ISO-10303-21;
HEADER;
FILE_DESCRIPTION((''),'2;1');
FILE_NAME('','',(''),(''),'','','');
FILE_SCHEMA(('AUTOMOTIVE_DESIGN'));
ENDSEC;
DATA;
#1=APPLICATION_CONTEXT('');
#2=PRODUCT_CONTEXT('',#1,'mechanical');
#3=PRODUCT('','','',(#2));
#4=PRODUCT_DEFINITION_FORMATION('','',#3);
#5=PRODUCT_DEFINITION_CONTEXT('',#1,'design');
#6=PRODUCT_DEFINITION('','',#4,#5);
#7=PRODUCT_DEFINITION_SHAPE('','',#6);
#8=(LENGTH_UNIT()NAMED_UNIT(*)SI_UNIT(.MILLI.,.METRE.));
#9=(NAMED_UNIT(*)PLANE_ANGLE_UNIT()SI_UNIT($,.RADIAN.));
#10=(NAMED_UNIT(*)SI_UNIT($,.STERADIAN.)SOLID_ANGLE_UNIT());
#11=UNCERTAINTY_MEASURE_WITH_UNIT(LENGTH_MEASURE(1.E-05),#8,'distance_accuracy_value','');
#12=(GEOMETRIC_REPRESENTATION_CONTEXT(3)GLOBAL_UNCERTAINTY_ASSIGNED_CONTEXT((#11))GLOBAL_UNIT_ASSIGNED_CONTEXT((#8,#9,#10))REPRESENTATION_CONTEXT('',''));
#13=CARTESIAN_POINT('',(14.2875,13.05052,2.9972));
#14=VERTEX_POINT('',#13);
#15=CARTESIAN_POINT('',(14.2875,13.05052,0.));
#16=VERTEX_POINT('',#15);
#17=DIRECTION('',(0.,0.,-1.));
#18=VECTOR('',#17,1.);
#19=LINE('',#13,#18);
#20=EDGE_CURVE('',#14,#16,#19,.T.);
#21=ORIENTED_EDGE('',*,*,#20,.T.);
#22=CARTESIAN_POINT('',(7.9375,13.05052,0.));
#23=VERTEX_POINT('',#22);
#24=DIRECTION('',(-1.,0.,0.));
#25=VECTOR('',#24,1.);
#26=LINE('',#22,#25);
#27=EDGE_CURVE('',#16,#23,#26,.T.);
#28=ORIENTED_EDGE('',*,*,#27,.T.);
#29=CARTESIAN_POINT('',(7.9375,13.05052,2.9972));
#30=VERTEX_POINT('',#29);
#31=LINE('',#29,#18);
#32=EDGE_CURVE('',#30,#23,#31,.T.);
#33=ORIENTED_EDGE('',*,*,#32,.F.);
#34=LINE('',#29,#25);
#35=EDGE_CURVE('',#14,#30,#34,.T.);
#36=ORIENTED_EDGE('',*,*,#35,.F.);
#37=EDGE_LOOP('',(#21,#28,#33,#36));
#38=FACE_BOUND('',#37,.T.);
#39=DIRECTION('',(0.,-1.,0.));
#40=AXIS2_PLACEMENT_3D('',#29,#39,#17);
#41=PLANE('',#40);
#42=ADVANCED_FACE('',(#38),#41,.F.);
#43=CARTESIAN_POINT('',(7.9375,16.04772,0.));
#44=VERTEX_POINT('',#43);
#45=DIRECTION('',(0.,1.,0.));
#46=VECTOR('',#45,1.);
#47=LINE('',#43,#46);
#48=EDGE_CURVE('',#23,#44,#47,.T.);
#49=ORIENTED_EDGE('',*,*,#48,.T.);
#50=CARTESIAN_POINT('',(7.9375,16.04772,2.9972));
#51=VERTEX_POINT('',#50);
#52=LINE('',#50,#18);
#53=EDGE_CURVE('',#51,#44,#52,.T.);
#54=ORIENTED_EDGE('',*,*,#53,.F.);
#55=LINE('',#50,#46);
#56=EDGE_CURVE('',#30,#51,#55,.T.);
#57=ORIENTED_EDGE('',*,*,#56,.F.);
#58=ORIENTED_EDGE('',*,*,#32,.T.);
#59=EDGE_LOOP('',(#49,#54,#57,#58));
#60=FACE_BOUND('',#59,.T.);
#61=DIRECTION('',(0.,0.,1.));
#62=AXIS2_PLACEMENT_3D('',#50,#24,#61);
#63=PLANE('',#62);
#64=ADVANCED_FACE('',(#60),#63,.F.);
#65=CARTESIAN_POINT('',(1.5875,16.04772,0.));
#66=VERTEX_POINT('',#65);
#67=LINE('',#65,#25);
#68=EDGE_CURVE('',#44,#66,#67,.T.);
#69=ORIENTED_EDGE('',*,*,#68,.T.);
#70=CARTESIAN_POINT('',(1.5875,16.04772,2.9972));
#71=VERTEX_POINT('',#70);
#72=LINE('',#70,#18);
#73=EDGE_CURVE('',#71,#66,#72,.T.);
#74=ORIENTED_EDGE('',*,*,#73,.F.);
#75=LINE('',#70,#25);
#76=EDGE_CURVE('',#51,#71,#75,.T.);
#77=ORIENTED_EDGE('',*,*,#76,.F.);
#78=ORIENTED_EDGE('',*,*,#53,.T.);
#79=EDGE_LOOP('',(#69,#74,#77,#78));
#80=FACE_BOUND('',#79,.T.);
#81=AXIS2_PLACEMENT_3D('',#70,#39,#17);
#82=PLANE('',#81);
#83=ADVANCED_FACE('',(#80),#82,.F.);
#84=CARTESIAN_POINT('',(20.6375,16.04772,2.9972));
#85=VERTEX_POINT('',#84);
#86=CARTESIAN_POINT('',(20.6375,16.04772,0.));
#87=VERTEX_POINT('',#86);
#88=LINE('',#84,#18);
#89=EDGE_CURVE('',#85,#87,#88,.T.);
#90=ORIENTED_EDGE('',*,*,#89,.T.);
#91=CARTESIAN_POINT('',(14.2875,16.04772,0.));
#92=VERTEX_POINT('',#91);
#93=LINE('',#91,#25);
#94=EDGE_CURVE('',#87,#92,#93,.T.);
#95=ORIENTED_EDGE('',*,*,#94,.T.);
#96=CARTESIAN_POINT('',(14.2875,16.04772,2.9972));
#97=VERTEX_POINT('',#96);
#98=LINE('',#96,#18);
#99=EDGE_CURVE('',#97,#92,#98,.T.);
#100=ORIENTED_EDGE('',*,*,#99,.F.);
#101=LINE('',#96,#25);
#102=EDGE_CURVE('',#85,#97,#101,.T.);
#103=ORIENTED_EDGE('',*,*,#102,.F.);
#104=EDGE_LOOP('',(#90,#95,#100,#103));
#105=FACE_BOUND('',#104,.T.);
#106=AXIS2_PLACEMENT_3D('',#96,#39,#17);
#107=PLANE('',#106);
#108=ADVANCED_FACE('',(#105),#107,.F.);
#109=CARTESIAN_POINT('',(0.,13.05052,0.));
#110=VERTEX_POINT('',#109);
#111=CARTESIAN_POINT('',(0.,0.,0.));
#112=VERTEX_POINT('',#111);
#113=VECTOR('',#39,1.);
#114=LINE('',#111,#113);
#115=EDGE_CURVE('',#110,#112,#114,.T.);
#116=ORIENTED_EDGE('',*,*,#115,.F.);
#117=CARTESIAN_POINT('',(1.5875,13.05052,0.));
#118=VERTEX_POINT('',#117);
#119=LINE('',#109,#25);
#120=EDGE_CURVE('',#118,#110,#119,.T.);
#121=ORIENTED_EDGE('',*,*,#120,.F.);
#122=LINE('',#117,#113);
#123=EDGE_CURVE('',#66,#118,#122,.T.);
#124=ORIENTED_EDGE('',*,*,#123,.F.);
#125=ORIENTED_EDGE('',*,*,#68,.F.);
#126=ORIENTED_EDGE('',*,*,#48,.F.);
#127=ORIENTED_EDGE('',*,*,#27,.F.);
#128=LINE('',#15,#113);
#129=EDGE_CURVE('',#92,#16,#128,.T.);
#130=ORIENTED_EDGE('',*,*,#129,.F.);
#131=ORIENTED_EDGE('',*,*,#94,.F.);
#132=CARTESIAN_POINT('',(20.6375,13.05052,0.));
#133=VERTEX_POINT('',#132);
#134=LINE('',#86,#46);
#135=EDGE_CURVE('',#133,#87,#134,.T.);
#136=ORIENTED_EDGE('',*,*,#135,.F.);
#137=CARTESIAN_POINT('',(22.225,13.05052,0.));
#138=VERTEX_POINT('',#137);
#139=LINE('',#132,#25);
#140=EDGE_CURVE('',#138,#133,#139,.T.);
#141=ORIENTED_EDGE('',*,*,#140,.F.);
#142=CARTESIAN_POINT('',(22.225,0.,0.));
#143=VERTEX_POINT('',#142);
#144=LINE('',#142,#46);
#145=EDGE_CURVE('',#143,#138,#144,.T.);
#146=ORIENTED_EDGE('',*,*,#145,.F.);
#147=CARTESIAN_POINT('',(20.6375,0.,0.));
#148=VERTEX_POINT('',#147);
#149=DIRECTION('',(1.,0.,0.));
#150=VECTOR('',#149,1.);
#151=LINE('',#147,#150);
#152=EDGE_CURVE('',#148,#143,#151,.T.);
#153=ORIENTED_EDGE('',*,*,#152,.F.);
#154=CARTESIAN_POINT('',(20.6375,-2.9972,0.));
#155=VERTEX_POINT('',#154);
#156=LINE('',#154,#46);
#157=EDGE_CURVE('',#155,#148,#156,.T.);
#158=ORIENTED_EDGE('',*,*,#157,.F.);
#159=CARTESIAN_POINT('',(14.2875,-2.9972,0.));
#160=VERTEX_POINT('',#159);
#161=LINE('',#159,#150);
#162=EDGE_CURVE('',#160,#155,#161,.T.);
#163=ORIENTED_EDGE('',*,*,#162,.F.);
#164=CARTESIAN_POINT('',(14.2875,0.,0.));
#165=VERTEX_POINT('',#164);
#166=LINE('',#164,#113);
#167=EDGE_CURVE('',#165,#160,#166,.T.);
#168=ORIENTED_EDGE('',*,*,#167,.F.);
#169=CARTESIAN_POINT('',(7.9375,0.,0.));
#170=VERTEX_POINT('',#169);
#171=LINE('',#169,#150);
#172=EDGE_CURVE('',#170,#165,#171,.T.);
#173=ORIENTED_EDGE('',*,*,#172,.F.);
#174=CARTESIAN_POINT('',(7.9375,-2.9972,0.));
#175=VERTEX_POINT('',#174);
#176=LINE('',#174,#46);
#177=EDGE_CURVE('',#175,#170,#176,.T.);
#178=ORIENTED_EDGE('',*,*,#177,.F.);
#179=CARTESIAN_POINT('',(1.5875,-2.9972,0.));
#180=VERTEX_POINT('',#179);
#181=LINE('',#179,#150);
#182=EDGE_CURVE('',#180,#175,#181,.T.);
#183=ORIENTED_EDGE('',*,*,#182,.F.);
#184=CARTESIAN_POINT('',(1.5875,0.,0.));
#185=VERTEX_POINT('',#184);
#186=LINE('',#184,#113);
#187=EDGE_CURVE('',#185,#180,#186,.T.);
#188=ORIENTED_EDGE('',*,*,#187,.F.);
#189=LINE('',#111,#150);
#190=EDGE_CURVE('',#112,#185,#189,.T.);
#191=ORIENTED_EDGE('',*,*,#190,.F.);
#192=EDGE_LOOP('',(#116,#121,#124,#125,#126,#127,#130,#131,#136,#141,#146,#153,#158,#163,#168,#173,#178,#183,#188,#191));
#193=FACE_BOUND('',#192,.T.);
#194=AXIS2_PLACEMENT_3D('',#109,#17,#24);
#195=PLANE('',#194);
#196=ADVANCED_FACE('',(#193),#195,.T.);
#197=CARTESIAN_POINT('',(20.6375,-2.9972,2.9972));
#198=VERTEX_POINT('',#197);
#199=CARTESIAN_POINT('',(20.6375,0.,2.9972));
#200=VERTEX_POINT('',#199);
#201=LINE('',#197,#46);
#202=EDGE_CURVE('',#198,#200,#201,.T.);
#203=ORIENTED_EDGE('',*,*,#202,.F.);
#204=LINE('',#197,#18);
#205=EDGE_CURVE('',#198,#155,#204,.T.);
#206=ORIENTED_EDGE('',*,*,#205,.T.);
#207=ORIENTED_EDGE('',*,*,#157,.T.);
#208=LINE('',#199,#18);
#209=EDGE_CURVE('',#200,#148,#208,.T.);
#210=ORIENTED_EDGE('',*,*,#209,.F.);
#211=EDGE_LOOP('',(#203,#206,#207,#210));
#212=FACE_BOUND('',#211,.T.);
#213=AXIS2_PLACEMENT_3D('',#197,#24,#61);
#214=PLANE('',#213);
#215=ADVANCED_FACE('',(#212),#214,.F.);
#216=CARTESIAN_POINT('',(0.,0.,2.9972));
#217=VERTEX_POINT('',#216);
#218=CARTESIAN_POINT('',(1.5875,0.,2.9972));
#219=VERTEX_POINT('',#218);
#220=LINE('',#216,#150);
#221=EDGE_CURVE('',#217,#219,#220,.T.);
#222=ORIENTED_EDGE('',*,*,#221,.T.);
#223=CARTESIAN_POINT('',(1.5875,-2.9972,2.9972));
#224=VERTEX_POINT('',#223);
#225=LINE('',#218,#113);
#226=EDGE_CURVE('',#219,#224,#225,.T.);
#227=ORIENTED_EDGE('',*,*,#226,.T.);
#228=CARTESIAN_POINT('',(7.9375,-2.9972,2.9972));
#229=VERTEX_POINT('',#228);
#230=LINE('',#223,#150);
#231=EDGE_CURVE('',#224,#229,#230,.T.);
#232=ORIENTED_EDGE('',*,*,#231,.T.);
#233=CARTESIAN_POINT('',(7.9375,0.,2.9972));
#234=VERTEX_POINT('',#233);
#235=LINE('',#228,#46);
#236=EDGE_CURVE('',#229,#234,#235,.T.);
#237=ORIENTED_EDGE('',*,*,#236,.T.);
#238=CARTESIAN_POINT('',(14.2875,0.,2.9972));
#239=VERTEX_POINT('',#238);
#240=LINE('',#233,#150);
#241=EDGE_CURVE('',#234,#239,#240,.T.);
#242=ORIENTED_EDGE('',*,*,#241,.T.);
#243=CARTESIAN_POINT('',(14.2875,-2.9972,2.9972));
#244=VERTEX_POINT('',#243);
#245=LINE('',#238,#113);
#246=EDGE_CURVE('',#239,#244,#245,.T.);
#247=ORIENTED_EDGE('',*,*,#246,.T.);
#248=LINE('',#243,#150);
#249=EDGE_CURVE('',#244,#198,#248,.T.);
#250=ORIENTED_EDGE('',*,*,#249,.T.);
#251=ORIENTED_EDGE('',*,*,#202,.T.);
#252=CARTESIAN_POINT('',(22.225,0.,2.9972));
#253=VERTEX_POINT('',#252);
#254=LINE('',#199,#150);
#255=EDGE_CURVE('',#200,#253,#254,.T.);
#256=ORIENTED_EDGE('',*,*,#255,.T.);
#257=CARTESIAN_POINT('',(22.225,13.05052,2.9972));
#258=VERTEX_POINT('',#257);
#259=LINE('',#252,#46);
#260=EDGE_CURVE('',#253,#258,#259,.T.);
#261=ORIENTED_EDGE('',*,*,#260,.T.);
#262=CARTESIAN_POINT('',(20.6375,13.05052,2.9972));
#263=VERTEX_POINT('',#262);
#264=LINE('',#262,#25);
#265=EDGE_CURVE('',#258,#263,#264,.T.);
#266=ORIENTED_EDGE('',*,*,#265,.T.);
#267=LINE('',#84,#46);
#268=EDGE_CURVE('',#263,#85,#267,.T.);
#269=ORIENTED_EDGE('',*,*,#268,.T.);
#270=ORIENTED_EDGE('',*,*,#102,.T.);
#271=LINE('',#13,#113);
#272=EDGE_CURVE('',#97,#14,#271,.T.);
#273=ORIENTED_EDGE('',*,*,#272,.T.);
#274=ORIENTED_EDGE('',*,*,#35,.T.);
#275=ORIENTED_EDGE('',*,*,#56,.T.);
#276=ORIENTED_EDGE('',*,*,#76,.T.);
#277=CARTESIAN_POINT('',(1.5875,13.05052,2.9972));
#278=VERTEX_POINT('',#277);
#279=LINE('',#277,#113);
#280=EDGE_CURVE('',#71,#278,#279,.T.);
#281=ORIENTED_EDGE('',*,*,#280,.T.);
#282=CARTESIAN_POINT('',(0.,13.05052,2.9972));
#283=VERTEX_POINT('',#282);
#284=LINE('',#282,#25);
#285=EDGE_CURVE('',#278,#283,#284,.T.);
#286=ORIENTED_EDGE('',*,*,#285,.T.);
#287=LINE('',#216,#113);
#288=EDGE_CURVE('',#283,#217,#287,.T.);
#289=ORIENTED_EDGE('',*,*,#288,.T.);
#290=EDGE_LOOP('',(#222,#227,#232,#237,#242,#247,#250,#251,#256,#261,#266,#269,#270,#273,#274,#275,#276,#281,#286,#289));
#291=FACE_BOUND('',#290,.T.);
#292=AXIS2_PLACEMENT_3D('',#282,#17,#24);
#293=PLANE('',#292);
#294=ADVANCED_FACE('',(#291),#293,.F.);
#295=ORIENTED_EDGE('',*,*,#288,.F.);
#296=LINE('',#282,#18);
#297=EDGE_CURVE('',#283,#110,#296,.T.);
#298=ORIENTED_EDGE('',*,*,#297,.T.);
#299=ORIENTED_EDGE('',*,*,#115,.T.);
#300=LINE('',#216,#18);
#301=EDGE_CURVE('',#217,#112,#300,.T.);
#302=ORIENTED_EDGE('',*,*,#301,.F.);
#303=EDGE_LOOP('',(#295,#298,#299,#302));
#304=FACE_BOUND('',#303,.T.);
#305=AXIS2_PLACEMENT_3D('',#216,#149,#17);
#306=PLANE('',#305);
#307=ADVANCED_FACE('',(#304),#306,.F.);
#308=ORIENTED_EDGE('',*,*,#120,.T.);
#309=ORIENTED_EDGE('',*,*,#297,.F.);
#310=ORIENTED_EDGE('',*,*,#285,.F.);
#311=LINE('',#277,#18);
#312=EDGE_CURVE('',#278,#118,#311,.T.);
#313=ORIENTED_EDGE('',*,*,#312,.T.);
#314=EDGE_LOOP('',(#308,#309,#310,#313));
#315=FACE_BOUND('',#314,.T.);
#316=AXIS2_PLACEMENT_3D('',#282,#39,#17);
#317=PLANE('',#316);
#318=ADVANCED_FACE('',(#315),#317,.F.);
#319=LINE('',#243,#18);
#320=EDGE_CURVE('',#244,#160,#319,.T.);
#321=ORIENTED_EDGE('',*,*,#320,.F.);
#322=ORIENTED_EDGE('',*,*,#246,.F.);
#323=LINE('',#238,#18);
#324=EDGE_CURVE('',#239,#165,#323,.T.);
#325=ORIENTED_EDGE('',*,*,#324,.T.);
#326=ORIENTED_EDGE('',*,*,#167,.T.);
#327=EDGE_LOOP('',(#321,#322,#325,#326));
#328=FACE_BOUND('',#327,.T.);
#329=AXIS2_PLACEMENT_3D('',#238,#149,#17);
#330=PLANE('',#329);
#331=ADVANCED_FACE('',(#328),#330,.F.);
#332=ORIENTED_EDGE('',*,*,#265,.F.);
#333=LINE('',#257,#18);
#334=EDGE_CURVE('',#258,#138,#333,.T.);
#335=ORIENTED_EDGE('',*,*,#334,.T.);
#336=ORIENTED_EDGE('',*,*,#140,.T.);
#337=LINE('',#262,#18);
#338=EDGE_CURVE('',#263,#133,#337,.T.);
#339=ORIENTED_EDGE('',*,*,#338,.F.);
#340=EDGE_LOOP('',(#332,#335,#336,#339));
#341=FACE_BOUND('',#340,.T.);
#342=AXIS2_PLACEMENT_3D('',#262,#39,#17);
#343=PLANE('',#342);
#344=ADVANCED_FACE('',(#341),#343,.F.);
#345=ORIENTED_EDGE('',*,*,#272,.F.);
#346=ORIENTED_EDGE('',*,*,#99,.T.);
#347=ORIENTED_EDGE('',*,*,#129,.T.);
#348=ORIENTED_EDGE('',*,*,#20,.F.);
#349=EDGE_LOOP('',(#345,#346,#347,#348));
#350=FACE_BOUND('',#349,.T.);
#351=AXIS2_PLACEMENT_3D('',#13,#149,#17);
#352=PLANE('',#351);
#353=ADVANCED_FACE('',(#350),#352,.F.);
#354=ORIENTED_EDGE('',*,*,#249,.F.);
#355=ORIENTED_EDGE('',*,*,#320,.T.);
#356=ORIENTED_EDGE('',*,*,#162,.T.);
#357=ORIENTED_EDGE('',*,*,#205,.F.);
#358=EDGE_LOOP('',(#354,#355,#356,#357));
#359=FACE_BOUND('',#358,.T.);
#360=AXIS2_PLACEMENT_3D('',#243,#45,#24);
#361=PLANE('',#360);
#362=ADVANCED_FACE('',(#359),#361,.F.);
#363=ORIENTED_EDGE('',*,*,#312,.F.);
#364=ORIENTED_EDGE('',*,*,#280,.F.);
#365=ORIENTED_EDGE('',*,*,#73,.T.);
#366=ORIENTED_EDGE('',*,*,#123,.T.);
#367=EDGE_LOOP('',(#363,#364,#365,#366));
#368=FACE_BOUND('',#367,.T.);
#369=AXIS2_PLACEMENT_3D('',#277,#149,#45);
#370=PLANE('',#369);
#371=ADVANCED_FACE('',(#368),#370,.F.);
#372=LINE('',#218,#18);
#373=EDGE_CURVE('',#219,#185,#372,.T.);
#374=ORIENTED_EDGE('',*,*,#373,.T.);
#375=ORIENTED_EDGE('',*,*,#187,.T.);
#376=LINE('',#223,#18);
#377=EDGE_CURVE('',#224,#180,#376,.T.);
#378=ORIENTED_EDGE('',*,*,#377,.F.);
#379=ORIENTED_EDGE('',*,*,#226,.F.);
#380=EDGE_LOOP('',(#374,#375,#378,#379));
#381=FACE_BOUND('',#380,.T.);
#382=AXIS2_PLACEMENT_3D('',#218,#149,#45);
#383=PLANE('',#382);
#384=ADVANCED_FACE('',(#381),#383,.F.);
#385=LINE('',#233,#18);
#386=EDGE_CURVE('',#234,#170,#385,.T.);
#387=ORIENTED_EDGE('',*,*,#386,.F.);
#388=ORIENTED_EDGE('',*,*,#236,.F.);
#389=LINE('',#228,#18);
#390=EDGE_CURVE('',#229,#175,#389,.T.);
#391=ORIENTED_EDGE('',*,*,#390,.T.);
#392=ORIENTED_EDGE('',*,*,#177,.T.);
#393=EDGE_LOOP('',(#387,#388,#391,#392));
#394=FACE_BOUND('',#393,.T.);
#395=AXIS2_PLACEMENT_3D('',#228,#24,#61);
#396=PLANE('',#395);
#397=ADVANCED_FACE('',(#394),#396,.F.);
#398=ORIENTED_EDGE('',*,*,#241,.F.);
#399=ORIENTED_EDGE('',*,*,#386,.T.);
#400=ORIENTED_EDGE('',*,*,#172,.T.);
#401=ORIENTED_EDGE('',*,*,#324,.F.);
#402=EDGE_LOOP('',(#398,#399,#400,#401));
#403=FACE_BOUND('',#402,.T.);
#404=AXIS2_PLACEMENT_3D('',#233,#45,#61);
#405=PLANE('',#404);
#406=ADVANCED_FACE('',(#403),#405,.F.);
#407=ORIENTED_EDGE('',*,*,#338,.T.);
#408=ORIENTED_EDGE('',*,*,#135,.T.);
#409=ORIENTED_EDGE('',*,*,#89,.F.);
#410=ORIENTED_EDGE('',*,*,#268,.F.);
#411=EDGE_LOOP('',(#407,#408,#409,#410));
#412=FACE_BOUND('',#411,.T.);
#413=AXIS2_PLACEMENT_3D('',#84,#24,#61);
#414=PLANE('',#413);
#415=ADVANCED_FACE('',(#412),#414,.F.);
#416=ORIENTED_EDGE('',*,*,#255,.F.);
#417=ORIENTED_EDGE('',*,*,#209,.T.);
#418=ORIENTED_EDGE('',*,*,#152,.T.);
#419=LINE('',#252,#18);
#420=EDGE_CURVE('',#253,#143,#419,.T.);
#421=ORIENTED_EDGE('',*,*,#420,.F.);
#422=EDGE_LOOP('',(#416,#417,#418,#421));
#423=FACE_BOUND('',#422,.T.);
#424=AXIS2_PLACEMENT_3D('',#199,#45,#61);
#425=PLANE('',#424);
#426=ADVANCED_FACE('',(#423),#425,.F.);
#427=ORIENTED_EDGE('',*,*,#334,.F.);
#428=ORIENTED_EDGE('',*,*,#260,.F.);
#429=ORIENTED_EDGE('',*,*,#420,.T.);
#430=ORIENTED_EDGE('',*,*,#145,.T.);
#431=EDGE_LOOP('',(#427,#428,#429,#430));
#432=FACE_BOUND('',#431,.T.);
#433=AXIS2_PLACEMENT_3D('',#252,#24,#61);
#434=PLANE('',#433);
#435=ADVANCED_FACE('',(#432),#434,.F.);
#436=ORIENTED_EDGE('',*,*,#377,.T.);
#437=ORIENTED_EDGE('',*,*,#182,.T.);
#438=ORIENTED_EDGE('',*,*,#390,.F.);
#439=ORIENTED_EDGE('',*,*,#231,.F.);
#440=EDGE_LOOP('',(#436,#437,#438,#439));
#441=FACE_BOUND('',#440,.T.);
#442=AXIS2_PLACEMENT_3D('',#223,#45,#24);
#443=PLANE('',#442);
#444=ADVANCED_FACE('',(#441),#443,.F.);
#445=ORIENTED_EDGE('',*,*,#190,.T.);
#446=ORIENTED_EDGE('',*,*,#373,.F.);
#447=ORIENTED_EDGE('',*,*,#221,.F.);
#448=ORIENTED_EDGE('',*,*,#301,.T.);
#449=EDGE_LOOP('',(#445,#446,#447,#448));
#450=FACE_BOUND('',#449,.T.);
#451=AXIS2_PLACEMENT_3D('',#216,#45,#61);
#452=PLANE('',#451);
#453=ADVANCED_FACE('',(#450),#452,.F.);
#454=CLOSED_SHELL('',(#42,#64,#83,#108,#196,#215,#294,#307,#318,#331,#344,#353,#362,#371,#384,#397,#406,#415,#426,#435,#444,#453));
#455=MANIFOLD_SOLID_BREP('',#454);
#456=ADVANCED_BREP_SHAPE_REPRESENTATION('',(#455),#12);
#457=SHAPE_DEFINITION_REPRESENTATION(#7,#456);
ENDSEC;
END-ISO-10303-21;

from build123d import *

# Parameters (mm, degrees)
BOSS_EXTRUDE1_DEPTH = 2.9972


with BuildPart() as part:
    # Sketch1 → Boss-Extrude1 (new body)
    with BuildSketch(Plane.XY):
        Polygon((0, 0), (1.5875, 0), (1.5875, -2.9972), (7.9375, -2.9972), (7.9375, 0), (14.2875, 0), (14.2875, -2.9972), (20.6375, -2.9972), (20.6375, 0), (22.225, 0), (22.225, 13.05052), (20.6375, 13.05052), (20.6375, 16.04772), (14.2875, 16.04772), (14.2875, 13.05052), (7.9375, 13.05052), (7.9375, 16.04772), (1.5875, 16.04772), (1.5875, 13.05052), (0, 13.05052), align=None)
    extrude(amount=BOSS_EXTRUDE1_DEPTH)


solid = part.part
